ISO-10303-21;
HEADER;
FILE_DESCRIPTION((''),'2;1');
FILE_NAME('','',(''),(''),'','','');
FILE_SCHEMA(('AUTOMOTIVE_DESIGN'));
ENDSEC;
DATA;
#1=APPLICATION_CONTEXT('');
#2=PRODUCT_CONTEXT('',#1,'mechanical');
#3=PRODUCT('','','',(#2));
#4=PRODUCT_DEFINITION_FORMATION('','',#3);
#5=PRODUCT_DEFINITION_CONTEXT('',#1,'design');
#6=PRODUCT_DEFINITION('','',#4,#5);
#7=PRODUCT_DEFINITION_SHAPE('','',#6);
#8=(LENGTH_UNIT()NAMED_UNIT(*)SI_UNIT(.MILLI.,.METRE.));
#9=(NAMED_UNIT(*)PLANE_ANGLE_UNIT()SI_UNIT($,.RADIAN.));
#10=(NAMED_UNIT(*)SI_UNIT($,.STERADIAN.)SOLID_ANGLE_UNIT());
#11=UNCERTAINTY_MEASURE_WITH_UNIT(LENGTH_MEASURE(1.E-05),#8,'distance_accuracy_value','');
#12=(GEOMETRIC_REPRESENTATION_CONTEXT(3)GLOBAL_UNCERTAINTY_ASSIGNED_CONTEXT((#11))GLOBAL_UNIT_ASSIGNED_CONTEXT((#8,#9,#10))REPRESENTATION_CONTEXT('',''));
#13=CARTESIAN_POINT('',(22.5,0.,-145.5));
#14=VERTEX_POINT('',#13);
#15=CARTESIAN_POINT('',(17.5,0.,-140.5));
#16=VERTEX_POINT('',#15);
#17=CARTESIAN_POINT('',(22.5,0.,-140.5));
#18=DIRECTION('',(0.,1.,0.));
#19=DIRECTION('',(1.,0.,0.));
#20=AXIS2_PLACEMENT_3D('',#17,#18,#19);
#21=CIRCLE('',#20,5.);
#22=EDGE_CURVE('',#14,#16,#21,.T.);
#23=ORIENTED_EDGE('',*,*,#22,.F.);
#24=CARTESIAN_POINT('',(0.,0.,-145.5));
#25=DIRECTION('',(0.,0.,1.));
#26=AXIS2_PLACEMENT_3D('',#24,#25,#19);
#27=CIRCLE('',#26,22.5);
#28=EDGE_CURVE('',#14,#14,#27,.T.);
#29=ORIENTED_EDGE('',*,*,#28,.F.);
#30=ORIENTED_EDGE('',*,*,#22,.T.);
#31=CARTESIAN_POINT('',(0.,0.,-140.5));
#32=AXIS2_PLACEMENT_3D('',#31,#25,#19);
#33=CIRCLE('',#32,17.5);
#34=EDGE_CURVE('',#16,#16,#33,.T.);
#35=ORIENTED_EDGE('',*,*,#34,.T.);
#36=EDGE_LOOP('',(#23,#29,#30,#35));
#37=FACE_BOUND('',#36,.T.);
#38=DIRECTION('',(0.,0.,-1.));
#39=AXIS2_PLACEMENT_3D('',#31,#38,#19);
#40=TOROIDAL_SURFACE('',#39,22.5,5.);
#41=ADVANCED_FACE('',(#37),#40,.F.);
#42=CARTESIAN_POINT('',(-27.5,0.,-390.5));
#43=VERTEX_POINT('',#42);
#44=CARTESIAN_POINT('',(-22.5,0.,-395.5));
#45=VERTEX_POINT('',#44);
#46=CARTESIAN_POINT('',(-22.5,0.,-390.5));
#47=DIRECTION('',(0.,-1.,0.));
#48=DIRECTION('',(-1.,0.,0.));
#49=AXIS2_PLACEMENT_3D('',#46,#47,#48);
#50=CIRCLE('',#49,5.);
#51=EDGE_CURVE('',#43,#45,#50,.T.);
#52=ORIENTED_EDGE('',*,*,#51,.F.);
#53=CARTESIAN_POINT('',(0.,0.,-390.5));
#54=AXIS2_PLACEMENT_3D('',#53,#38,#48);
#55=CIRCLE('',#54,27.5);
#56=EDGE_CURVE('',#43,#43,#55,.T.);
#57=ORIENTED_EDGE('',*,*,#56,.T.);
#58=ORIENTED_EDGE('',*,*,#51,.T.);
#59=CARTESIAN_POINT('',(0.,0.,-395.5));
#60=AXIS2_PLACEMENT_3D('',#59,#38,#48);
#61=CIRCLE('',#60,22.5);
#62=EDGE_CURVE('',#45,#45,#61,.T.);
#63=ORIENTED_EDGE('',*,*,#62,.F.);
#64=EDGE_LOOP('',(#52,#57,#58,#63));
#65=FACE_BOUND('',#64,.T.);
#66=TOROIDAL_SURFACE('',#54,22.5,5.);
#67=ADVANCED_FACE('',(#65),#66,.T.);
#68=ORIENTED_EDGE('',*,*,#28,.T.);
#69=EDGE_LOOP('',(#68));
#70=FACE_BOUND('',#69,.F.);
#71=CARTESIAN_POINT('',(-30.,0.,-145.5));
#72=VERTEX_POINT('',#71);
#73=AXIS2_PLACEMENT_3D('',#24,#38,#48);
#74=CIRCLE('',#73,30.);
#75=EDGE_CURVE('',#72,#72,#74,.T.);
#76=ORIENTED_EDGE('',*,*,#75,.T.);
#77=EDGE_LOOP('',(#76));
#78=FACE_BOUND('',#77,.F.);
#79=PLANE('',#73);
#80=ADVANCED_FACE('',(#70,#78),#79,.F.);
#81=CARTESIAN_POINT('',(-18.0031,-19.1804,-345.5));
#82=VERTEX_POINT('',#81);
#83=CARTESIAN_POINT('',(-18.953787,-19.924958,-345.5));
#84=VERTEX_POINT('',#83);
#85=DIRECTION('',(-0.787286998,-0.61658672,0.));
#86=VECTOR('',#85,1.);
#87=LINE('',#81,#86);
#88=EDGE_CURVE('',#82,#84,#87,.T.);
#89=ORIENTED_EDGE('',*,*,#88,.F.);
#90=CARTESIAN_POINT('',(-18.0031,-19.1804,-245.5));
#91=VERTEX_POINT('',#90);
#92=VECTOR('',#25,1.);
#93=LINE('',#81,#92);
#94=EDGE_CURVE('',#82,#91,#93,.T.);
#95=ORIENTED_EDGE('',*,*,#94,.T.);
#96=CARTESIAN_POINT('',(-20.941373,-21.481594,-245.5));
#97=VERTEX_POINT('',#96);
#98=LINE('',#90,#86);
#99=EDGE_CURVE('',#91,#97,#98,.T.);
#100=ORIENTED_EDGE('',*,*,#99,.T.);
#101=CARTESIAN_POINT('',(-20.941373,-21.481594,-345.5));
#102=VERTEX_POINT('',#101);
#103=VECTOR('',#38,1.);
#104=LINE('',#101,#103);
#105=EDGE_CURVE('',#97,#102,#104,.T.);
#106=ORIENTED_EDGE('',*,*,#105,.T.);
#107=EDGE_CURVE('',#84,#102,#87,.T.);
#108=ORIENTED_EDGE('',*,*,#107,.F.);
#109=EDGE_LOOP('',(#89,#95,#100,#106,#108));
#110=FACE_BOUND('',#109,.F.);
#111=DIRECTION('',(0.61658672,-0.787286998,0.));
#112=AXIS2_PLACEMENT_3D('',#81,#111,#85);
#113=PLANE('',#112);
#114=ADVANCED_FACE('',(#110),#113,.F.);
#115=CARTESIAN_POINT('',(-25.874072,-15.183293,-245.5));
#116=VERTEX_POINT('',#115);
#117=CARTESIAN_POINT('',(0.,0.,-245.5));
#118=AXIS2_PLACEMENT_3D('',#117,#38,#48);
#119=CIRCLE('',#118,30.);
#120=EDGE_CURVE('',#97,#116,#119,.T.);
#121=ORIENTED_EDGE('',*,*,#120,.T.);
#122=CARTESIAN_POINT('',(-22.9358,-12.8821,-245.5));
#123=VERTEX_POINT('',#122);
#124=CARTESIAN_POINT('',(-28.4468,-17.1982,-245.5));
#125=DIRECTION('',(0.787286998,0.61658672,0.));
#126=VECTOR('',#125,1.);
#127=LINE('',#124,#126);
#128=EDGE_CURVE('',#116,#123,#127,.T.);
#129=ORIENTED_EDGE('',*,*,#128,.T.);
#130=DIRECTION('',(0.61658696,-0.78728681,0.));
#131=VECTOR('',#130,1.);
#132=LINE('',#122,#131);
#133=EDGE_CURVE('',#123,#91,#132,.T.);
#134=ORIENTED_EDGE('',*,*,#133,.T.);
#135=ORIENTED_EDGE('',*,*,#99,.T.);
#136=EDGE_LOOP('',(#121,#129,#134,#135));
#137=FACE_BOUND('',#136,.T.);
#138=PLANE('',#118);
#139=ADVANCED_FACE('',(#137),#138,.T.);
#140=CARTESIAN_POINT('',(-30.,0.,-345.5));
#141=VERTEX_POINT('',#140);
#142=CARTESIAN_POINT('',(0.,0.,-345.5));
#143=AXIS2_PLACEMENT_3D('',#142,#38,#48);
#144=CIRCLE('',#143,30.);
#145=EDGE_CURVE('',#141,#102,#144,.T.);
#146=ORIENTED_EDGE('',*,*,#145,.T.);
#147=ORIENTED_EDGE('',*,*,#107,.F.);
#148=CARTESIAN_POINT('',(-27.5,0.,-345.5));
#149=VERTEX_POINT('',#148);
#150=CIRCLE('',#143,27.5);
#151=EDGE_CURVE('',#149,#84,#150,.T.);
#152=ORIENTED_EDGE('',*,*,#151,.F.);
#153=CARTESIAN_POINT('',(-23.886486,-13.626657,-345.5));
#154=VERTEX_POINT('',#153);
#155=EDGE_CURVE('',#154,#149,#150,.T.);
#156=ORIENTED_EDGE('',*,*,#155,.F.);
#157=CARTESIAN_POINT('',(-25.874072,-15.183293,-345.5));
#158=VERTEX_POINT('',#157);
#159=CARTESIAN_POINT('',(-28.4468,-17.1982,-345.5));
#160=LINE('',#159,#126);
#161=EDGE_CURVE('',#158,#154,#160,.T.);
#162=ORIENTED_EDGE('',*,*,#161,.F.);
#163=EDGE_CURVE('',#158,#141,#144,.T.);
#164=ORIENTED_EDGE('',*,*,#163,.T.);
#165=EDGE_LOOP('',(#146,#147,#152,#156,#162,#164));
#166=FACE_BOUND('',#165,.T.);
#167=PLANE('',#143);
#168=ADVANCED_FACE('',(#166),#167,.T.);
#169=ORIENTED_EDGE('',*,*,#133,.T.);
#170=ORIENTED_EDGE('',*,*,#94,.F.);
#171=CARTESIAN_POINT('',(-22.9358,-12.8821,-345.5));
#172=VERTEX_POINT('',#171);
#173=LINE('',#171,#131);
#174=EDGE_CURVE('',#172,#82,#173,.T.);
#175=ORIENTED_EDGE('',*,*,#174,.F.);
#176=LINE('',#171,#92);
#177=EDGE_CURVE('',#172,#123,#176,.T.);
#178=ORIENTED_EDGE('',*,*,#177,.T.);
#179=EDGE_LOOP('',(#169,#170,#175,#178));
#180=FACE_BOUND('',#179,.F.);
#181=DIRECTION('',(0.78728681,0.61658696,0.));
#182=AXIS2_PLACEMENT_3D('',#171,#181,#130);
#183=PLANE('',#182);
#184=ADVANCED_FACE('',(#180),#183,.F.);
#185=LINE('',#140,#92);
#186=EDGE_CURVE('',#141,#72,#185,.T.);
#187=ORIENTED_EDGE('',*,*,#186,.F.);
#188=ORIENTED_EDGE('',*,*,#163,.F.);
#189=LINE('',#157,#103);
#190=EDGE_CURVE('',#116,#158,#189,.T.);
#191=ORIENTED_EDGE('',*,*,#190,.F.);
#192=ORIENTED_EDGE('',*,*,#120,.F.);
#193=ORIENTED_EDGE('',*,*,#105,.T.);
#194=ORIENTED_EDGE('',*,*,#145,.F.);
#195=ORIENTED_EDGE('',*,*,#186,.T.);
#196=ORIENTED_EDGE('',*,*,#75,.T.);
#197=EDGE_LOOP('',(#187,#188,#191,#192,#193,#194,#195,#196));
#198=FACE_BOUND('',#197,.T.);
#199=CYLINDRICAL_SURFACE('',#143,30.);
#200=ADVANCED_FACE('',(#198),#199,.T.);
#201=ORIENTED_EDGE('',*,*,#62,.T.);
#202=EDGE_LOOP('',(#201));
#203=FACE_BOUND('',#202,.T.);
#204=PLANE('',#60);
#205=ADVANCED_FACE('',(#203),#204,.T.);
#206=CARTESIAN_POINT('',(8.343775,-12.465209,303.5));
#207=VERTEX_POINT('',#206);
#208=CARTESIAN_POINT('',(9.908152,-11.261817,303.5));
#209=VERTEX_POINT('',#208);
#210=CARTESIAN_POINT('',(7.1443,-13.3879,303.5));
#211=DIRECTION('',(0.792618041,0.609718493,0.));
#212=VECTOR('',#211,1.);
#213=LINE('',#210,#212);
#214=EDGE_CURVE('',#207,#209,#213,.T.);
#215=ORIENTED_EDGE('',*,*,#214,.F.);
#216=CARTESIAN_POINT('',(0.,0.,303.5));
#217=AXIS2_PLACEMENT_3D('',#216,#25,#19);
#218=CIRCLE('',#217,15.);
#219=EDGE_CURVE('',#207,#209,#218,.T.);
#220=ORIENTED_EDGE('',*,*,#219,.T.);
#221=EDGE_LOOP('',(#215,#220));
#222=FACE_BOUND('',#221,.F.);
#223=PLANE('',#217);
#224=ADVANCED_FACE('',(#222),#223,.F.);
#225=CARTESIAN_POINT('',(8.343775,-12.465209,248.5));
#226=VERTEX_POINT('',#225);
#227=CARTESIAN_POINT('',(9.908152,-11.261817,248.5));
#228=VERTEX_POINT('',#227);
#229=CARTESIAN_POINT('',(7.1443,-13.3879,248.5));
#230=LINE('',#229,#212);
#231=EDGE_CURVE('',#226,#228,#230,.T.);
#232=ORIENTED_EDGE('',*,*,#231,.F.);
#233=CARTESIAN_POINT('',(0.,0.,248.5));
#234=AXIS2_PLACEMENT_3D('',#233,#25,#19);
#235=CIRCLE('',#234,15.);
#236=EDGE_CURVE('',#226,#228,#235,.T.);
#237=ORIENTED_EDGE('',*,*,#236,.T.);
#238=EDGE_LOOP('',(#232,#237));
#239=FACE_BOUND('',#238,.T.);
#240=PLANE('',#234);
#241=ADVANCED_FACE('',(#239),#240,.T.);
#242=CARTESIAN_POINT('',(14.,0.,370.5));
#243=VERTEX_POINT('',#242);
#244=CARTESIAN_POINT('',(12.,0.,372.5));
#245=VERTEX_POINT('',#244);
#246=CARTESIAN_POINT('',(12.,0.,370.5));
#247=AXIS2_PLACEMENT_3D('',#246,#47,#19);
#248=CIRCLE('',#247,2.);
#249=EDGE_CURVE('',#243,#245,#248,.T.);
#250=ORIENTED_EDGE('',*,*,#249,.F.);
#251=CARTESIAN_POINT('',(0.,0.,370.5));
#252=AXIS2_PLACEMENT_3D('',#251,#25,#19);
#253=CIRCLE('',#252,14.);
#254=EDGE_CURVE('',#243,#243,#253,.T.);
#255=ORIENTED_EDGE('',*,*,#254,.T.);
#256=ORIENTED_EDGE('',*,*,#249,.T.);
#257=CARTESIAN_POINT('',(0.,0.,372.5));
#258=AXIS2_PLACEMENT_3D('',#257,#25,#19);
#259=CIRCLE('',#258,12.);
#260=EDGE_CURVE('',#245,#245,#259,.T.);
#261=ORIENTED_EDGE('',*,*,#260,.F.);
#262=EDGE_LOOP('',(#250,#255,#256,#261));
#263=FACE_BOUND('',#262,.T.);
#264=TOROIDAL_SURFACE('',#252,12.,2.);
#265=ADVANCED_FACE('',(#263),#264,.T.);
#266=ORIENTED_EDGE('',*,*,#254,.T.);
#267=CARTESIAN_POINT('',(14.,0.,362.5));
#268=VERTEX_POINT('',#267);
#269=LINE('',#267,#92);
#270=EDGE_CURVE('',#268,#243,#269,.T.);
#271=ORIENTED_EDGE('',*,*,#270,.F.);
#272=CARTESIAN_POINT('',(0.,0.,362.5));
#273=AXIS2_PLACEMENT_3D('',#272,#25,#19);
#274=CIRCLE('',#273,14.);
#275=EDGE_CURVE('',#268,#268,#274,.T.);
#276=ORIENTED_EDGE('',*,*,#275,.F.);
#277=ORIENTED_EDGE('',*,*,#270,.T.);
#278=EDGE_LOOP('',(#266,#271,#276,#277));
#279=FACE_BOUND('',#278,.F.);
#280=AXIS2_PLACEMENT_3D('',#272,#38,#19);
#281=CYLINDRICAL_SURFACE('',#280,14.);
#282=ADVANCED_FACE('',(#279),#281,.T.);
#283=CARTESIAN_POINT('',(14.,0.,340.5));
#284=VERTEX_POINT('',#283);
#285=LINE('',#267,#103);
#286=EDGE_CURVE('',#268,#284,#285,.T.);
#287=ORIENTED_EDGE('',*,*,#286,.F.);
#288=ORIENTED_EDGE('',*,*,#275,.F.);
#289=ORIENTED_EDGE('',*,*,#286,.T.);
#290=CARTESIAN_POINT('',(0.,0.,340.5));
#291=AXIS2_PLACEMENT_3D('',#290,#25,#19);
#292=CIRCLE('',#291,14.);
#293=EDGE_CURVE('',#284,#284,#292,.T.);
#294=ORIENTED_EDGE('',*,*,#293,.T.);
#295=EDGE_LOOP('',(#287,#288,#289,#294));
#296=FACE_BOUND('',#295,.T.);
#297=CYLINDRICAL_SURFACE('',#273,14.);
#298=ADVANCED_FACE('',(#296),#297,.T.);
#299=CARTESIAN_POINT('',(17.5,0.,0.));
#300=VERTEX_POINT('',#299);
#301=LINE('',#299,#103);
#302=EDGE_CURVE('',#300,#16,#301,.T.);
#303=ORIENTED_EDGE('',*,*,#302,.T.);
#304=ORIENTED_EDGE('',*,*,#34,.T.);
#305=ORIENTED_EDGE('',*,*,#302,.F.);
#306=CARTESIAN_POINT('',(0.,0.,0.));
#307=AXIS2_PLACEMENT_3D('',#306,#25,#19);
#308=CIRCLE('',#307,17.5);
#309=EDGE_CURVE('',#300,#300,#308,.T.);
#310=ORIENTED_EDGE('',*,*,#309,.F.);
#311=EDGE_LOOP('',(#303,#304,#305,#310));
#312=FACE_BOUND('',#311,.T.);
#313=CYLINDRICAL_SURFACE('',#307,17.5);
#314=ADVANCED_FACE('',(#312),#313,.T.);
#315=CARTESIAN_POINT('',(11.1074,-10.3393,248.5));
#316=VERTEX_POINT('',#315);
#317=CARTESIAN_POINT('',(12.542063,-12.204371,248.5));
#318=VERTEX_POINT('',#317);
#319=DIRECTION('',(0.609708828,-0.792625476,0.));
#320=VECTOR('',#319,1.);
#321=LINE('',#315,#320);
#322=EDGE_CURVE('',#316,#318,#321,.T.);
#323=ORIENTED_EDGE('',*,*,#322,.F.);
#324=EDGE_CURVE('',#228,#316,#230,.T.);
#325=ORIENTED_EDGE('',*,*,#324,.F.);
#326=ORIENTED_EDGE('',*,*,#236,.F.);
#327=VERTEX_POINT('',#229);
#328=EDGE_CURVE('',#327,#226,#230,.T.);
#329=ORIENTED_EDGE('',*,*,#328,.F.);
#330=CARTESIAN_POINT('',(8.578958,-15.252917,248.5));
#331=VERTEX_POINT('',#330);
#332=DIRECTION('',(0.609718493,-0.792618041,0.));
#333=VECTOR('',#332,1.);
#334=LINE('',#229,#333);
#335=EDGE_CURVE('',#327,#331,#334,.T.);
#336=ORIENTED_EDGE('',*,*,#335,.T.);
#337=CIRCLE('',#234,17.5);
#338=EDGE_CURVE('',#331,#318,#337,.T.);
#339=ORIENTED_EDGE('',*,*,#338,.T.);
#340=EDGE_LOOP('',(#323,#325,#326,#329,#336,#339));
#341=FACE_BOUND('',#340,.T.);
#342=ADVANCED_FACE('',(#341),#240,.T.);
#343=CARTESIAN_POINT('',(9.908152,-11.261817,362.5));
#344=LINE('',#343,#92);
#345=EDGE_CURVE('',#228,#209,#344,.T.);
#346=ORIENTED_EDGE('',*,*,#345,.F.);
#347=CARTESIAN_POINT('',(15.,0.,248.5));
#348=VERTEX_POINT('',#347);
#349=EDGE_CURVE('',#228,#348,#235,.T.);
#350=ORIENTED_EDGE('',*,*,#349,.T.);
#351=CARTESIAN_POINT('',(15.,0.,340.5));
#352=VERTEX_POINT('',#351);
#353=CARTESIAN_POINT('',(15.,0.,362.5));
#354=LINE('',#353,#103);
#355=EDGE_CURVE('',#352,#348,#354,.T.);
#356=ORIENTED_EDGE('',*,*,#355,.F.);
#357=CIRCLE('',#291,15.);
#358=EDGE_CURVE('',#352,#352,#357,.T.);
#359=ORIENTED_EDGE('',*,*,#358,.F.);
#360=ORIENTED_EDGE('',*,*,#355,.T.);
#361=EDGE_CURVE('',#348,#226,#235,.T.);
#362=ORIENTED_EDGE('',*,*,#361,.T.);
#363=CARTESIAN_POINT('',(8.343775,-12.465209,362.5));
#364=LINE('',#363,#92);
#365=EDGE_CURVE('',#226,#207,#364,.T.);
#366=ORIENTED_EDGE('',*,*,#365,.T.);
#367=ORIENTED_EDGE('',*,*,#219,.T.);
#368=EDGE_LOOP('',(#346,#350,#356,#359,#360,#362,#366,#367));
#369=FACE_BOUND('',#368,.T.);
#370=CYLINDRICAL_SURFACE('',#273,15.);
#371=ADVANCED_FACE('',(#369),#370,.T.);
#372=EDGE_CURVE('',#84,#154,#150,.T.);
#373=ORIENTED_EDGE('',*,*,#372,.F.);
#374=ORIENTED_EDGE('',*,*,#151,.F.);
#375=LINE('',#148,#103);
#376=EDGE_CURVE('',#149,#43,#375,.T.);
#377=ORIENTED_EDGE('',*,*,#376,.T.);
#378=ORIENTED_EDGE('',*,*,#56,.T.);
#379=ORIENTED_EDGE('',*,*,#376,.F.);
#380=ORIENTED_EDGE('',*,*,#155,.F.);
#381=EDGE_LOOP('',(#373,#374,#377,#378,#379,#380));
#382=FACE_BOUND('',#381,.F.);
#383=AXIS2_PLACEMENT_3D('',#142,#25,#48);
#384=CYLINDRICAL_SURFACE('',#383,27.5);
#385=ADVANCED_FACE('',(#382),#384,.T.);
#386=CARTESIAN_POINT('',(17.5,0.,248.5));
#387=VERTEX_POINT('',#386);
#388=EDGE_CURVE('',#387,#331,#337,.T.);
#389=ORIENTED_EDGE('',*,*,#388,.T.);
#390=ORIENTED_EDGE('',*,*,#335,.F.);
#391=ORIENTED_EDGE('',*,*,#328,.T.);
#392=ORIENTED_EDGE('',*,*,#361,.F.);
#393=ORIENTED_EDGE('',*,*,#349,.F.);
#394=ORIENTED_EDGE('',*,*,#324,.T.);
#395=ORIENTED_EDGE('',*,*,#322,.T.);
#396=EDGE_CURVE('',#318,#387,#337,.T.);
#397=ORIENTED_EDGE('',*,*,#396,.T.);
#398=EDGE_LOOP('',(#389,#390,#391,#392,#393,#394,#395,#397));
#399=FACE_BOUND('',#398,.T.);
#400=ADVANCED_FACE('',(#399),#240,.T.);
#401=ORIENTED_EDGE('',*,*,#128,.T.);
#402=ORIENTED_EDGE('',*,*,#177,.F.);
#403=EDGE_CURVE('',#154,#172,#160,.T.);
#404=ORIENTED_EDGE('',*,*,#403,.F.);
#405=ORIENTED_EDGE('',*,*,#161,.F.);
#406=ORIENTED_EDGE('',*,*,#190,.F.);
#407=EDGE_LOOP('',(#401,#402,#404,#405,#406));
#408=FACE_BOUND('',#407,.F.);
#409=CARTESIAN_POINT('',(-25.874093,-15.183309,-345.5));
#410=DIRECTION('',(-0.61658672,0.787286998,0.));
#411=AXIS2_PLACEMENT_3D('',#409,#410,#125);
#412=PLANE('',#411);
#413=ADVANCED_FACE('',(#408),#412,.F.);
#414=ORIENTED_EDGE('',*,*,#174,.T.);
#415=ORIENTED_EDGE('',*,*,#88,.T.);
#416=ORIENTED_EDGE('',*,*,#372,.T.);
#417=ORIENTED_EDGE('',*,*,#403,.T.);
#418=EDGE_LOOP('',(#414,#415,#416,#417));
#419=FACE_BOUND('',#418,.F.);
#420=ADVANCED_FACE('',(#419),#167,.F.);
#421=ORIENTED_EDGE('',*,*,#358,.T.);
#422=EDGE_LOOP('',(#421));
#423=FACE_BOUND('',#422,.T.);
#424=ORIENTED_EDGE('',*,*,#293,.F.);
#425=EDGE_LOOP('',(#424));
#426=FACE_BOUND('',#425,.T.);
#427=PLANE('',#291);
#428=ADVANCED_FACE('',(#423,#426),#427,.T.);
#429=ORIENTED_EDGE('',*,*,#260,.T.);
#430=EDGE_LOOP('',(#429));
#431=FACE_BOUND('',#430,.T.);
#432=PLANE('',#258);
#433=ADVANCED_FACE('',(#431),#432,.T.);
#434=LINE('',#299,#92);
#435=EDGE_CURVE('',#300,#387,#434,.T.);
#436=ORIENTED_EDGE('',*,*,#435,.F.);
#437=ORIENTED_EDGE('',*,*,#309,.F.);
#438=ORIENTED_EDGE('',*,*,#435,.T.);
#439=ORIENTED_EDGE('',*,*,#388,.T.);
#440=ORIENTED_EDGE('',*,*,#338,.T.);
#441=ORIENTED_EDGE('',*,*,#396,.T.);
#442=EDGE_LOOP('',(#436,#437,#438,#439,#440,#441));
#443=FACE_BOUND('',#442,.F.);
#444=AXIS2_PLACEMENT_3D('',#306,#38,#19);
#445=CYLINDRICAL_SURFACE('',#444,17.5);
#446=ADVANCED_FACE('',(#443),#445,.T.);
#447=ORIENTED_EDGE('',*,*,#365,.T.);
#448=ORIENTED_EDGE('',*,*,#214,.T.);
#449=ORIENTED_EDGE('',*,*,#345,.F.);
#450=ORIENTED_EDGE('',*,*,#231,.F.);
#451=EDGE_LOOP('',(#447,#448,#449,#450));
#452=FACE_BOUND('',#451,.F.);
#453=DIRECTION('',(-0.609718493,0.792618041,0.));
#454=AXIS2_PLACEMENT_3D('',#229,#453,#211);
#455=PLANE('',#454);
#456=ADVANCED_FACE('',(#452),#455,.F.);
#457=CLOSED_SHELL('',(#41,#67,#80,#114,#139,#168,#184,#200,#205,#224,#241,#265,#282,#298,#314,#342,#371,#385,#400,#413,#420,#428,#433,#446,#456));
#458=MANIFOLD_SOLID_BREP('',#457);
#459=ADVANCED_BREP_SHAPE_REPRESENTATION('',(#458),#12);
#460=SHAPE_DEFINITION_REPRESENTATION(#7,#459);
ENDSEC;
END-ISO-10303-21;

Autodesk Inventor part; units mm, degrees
ref_plane "YZ Plane" through (0, 0, 0) normal (1, 0, 0) x (0, 1, 0)
ref_plane "XZ Plane" through (0, 0, 0) normal (0, 1, 0) x (-1, 0, 0)
ref_plane "XY Plane" through (0, 0, 0) normal (0, 0, 1) x (1, 0, 0)
sketch "Sketch1" plane through (0, 0, 0) normal (0, 0, 1) x (1, 0, 0)
  circle A0 centre (0, 0) radius 17.5
  dimension "d0" = 35
extrude "Extrusion1" add sketch "Sketch1" along normal mid plane 725
sketch "Sketch3" plane through (0, 0, 362.5) normal (0, 0, 1) x (1, 0, 0)
  circle A0 centre (0, 0) radius 15
  circle A1 centre (0, 0) radius 17.5 projected
  dimension "d6" = 30
extrude "Extrusion3" cut sketch "Sketch3" against normal blind 114
sketch "Sketch4" plane through (0, 0, 362.5) normal (0, 0, 1) x (1, 0, 0)
  circle A0 centre (0, 0) radius 14
  circle A1 centre (0, 0) radius 15 projected
  dimension "d9" = 28
extrude "Extrusion4" cut sketch "Sketch4" against normal blind 22
thread "Thread1" size "M28x2" class "6g" standard "ANSI Metric M Profile" full length
sketch "Sketch5" plane through (0, 0, 362.5) normal (0, 0, 1) x (1, 0, 0)
  circle A0 centre (0, 0) radius 14 projected
extrude "Extrusion5" add sketch "Sketch5" along normal blind 10
fillet "Fillet1" radius 2 1 edges at (-14, 0, 372.5)
sketch "Sketch6" plane through (0, 0, 248.5) normal (0, 0, 1) x (1, 0, 0)
  line L0 (11.1074, -10.3393) -> (14.156, -14.3025) projected
  line L1 (7.1443, -13.3879) -> (11.1074, -10.3393) projected
  line L2 (7.1443, -13.3879) -> (10.1929, -17.351) projected
  line L3 (10.1929, -17.351) -> (14.156, -14.3025) projected
  point P0 (0, 0)
extrude "Extrusion6" cut sketch "Sketch6" along normal blind 55
sketch "Sketch7" plane through (0, 0, -362.5) normal (0, 0, -1) x (-1, 0, 0)
  circle A0 centre (0, 0) radius 17.5 projected
extrude "Extrusion7" cut sketch "Sketch7" against normal blind 17
sketch "Sketch8" plane through (0, 0, -345.5) normal (0, 0, -1) x (-1, 0, 0)
  circle A0 centre (0, 0) radius 30
  dimension "d21" = 60
extrude "Extrusion8" add sketch "Sketch8" against normal blind 200
fillet "Fillet2" radius 5 1 edges at (-17.5, 0, -145.5)
sketch "Sketch9" plane through (0, 0, -345.5) normal (0, 0, -1) x (-1, 0, 0)
  circle A0 centre (0, 0) radius 17.5 projected
  circle A1 centre (0, 0) radius 27.5
  dimension "d25" = 55
extrude "Extrusion9" add sketch "Sketch9" along normal blind 50 contours A0 | A1
sketch "Sketch10" plane through (0, 0, -345.5) normal (0, 0, -1) x (-1, 0, 0)
  line L0 (59.3657, -110.0033) -> (360.8409, -346.1125) projected
  arc A0 (360.8409, -346.1125) -> (422.4996, -267.3838) centre (0, 0) ccw projected
  line L1 (422.4996, -267.3838) -> (121.0244, -31.2746) projected
  arc A1 (121.0244, -31.2746) -> (65.5828, 106.4138) centre (0, 0) ccw projected
  line L2 (65.5828, 106.4138) -> (119.3218, 485.5536) projected
  arc A2 (119.3218, 485.5536) -> (20.3114, 499.5873) centre (0, 0) ccw projected
  line L3 (20.3114, 499.5873) -> (-33.4276, 120.4475) projected
  arc A3 (-33.4276, 120.4475) -> (-124.9485, 3.5894) centre (0, 0) ccw projected
  line L4 (-124.9485, 3.5894) -> (-480.1627, -139.4411) projected
  arc A4 (-480.1627, -139.4411) -> (-442.811, -232.2034) centre (0, 0) ccw projected
  line L5 (-442.811, -232.2034) -> (-87.5968, -89.1729) projected
  arc A5 (-87.5968, -89.1729) -> (59.3657, -110.0033) centre (0, 0) ccw projected
  line L6 (25.8741, -15.1833) -> (28.4468, -17.1982) projected
  line L7 (28.4468, -17.1982) -> (23.5141, -23.4965) projected
  line L8 (23.5141, -23.4965) -> (20.9414, -21.4816) projected
  arc A6 (25.8741, -15.1833) -> (20.9414, -21.4816) centre (0, 0) ccw projected
  line L9 (23.5141, -23.4965) -> (28.4468, -17.1982)
  line L10 (28.4468, -17.1982) -> (22.9358, -12.8821)
  line L11 (22.9358, -12.8821) -> (18.0031, -19.1804)
  line L12 (18.0031, -19.1804) -> (23.5141, -23.4965)
  point P0 (0, 0)
  dimension "d28" = 7
  dimension "d31" = 8
extrude "Extrusion10" cut sketch "Sketch10" against normal blind 100 contours L6 L7 L8 L12 L11 L10
thread "Thread2" size "M55x4" class "6g" standard "ANSI Metric M Profile" full length
fillet "Fillet3" radius 5 1 edges at (27.5, 0, -395.5)
properties part number "Lower Shaft"
